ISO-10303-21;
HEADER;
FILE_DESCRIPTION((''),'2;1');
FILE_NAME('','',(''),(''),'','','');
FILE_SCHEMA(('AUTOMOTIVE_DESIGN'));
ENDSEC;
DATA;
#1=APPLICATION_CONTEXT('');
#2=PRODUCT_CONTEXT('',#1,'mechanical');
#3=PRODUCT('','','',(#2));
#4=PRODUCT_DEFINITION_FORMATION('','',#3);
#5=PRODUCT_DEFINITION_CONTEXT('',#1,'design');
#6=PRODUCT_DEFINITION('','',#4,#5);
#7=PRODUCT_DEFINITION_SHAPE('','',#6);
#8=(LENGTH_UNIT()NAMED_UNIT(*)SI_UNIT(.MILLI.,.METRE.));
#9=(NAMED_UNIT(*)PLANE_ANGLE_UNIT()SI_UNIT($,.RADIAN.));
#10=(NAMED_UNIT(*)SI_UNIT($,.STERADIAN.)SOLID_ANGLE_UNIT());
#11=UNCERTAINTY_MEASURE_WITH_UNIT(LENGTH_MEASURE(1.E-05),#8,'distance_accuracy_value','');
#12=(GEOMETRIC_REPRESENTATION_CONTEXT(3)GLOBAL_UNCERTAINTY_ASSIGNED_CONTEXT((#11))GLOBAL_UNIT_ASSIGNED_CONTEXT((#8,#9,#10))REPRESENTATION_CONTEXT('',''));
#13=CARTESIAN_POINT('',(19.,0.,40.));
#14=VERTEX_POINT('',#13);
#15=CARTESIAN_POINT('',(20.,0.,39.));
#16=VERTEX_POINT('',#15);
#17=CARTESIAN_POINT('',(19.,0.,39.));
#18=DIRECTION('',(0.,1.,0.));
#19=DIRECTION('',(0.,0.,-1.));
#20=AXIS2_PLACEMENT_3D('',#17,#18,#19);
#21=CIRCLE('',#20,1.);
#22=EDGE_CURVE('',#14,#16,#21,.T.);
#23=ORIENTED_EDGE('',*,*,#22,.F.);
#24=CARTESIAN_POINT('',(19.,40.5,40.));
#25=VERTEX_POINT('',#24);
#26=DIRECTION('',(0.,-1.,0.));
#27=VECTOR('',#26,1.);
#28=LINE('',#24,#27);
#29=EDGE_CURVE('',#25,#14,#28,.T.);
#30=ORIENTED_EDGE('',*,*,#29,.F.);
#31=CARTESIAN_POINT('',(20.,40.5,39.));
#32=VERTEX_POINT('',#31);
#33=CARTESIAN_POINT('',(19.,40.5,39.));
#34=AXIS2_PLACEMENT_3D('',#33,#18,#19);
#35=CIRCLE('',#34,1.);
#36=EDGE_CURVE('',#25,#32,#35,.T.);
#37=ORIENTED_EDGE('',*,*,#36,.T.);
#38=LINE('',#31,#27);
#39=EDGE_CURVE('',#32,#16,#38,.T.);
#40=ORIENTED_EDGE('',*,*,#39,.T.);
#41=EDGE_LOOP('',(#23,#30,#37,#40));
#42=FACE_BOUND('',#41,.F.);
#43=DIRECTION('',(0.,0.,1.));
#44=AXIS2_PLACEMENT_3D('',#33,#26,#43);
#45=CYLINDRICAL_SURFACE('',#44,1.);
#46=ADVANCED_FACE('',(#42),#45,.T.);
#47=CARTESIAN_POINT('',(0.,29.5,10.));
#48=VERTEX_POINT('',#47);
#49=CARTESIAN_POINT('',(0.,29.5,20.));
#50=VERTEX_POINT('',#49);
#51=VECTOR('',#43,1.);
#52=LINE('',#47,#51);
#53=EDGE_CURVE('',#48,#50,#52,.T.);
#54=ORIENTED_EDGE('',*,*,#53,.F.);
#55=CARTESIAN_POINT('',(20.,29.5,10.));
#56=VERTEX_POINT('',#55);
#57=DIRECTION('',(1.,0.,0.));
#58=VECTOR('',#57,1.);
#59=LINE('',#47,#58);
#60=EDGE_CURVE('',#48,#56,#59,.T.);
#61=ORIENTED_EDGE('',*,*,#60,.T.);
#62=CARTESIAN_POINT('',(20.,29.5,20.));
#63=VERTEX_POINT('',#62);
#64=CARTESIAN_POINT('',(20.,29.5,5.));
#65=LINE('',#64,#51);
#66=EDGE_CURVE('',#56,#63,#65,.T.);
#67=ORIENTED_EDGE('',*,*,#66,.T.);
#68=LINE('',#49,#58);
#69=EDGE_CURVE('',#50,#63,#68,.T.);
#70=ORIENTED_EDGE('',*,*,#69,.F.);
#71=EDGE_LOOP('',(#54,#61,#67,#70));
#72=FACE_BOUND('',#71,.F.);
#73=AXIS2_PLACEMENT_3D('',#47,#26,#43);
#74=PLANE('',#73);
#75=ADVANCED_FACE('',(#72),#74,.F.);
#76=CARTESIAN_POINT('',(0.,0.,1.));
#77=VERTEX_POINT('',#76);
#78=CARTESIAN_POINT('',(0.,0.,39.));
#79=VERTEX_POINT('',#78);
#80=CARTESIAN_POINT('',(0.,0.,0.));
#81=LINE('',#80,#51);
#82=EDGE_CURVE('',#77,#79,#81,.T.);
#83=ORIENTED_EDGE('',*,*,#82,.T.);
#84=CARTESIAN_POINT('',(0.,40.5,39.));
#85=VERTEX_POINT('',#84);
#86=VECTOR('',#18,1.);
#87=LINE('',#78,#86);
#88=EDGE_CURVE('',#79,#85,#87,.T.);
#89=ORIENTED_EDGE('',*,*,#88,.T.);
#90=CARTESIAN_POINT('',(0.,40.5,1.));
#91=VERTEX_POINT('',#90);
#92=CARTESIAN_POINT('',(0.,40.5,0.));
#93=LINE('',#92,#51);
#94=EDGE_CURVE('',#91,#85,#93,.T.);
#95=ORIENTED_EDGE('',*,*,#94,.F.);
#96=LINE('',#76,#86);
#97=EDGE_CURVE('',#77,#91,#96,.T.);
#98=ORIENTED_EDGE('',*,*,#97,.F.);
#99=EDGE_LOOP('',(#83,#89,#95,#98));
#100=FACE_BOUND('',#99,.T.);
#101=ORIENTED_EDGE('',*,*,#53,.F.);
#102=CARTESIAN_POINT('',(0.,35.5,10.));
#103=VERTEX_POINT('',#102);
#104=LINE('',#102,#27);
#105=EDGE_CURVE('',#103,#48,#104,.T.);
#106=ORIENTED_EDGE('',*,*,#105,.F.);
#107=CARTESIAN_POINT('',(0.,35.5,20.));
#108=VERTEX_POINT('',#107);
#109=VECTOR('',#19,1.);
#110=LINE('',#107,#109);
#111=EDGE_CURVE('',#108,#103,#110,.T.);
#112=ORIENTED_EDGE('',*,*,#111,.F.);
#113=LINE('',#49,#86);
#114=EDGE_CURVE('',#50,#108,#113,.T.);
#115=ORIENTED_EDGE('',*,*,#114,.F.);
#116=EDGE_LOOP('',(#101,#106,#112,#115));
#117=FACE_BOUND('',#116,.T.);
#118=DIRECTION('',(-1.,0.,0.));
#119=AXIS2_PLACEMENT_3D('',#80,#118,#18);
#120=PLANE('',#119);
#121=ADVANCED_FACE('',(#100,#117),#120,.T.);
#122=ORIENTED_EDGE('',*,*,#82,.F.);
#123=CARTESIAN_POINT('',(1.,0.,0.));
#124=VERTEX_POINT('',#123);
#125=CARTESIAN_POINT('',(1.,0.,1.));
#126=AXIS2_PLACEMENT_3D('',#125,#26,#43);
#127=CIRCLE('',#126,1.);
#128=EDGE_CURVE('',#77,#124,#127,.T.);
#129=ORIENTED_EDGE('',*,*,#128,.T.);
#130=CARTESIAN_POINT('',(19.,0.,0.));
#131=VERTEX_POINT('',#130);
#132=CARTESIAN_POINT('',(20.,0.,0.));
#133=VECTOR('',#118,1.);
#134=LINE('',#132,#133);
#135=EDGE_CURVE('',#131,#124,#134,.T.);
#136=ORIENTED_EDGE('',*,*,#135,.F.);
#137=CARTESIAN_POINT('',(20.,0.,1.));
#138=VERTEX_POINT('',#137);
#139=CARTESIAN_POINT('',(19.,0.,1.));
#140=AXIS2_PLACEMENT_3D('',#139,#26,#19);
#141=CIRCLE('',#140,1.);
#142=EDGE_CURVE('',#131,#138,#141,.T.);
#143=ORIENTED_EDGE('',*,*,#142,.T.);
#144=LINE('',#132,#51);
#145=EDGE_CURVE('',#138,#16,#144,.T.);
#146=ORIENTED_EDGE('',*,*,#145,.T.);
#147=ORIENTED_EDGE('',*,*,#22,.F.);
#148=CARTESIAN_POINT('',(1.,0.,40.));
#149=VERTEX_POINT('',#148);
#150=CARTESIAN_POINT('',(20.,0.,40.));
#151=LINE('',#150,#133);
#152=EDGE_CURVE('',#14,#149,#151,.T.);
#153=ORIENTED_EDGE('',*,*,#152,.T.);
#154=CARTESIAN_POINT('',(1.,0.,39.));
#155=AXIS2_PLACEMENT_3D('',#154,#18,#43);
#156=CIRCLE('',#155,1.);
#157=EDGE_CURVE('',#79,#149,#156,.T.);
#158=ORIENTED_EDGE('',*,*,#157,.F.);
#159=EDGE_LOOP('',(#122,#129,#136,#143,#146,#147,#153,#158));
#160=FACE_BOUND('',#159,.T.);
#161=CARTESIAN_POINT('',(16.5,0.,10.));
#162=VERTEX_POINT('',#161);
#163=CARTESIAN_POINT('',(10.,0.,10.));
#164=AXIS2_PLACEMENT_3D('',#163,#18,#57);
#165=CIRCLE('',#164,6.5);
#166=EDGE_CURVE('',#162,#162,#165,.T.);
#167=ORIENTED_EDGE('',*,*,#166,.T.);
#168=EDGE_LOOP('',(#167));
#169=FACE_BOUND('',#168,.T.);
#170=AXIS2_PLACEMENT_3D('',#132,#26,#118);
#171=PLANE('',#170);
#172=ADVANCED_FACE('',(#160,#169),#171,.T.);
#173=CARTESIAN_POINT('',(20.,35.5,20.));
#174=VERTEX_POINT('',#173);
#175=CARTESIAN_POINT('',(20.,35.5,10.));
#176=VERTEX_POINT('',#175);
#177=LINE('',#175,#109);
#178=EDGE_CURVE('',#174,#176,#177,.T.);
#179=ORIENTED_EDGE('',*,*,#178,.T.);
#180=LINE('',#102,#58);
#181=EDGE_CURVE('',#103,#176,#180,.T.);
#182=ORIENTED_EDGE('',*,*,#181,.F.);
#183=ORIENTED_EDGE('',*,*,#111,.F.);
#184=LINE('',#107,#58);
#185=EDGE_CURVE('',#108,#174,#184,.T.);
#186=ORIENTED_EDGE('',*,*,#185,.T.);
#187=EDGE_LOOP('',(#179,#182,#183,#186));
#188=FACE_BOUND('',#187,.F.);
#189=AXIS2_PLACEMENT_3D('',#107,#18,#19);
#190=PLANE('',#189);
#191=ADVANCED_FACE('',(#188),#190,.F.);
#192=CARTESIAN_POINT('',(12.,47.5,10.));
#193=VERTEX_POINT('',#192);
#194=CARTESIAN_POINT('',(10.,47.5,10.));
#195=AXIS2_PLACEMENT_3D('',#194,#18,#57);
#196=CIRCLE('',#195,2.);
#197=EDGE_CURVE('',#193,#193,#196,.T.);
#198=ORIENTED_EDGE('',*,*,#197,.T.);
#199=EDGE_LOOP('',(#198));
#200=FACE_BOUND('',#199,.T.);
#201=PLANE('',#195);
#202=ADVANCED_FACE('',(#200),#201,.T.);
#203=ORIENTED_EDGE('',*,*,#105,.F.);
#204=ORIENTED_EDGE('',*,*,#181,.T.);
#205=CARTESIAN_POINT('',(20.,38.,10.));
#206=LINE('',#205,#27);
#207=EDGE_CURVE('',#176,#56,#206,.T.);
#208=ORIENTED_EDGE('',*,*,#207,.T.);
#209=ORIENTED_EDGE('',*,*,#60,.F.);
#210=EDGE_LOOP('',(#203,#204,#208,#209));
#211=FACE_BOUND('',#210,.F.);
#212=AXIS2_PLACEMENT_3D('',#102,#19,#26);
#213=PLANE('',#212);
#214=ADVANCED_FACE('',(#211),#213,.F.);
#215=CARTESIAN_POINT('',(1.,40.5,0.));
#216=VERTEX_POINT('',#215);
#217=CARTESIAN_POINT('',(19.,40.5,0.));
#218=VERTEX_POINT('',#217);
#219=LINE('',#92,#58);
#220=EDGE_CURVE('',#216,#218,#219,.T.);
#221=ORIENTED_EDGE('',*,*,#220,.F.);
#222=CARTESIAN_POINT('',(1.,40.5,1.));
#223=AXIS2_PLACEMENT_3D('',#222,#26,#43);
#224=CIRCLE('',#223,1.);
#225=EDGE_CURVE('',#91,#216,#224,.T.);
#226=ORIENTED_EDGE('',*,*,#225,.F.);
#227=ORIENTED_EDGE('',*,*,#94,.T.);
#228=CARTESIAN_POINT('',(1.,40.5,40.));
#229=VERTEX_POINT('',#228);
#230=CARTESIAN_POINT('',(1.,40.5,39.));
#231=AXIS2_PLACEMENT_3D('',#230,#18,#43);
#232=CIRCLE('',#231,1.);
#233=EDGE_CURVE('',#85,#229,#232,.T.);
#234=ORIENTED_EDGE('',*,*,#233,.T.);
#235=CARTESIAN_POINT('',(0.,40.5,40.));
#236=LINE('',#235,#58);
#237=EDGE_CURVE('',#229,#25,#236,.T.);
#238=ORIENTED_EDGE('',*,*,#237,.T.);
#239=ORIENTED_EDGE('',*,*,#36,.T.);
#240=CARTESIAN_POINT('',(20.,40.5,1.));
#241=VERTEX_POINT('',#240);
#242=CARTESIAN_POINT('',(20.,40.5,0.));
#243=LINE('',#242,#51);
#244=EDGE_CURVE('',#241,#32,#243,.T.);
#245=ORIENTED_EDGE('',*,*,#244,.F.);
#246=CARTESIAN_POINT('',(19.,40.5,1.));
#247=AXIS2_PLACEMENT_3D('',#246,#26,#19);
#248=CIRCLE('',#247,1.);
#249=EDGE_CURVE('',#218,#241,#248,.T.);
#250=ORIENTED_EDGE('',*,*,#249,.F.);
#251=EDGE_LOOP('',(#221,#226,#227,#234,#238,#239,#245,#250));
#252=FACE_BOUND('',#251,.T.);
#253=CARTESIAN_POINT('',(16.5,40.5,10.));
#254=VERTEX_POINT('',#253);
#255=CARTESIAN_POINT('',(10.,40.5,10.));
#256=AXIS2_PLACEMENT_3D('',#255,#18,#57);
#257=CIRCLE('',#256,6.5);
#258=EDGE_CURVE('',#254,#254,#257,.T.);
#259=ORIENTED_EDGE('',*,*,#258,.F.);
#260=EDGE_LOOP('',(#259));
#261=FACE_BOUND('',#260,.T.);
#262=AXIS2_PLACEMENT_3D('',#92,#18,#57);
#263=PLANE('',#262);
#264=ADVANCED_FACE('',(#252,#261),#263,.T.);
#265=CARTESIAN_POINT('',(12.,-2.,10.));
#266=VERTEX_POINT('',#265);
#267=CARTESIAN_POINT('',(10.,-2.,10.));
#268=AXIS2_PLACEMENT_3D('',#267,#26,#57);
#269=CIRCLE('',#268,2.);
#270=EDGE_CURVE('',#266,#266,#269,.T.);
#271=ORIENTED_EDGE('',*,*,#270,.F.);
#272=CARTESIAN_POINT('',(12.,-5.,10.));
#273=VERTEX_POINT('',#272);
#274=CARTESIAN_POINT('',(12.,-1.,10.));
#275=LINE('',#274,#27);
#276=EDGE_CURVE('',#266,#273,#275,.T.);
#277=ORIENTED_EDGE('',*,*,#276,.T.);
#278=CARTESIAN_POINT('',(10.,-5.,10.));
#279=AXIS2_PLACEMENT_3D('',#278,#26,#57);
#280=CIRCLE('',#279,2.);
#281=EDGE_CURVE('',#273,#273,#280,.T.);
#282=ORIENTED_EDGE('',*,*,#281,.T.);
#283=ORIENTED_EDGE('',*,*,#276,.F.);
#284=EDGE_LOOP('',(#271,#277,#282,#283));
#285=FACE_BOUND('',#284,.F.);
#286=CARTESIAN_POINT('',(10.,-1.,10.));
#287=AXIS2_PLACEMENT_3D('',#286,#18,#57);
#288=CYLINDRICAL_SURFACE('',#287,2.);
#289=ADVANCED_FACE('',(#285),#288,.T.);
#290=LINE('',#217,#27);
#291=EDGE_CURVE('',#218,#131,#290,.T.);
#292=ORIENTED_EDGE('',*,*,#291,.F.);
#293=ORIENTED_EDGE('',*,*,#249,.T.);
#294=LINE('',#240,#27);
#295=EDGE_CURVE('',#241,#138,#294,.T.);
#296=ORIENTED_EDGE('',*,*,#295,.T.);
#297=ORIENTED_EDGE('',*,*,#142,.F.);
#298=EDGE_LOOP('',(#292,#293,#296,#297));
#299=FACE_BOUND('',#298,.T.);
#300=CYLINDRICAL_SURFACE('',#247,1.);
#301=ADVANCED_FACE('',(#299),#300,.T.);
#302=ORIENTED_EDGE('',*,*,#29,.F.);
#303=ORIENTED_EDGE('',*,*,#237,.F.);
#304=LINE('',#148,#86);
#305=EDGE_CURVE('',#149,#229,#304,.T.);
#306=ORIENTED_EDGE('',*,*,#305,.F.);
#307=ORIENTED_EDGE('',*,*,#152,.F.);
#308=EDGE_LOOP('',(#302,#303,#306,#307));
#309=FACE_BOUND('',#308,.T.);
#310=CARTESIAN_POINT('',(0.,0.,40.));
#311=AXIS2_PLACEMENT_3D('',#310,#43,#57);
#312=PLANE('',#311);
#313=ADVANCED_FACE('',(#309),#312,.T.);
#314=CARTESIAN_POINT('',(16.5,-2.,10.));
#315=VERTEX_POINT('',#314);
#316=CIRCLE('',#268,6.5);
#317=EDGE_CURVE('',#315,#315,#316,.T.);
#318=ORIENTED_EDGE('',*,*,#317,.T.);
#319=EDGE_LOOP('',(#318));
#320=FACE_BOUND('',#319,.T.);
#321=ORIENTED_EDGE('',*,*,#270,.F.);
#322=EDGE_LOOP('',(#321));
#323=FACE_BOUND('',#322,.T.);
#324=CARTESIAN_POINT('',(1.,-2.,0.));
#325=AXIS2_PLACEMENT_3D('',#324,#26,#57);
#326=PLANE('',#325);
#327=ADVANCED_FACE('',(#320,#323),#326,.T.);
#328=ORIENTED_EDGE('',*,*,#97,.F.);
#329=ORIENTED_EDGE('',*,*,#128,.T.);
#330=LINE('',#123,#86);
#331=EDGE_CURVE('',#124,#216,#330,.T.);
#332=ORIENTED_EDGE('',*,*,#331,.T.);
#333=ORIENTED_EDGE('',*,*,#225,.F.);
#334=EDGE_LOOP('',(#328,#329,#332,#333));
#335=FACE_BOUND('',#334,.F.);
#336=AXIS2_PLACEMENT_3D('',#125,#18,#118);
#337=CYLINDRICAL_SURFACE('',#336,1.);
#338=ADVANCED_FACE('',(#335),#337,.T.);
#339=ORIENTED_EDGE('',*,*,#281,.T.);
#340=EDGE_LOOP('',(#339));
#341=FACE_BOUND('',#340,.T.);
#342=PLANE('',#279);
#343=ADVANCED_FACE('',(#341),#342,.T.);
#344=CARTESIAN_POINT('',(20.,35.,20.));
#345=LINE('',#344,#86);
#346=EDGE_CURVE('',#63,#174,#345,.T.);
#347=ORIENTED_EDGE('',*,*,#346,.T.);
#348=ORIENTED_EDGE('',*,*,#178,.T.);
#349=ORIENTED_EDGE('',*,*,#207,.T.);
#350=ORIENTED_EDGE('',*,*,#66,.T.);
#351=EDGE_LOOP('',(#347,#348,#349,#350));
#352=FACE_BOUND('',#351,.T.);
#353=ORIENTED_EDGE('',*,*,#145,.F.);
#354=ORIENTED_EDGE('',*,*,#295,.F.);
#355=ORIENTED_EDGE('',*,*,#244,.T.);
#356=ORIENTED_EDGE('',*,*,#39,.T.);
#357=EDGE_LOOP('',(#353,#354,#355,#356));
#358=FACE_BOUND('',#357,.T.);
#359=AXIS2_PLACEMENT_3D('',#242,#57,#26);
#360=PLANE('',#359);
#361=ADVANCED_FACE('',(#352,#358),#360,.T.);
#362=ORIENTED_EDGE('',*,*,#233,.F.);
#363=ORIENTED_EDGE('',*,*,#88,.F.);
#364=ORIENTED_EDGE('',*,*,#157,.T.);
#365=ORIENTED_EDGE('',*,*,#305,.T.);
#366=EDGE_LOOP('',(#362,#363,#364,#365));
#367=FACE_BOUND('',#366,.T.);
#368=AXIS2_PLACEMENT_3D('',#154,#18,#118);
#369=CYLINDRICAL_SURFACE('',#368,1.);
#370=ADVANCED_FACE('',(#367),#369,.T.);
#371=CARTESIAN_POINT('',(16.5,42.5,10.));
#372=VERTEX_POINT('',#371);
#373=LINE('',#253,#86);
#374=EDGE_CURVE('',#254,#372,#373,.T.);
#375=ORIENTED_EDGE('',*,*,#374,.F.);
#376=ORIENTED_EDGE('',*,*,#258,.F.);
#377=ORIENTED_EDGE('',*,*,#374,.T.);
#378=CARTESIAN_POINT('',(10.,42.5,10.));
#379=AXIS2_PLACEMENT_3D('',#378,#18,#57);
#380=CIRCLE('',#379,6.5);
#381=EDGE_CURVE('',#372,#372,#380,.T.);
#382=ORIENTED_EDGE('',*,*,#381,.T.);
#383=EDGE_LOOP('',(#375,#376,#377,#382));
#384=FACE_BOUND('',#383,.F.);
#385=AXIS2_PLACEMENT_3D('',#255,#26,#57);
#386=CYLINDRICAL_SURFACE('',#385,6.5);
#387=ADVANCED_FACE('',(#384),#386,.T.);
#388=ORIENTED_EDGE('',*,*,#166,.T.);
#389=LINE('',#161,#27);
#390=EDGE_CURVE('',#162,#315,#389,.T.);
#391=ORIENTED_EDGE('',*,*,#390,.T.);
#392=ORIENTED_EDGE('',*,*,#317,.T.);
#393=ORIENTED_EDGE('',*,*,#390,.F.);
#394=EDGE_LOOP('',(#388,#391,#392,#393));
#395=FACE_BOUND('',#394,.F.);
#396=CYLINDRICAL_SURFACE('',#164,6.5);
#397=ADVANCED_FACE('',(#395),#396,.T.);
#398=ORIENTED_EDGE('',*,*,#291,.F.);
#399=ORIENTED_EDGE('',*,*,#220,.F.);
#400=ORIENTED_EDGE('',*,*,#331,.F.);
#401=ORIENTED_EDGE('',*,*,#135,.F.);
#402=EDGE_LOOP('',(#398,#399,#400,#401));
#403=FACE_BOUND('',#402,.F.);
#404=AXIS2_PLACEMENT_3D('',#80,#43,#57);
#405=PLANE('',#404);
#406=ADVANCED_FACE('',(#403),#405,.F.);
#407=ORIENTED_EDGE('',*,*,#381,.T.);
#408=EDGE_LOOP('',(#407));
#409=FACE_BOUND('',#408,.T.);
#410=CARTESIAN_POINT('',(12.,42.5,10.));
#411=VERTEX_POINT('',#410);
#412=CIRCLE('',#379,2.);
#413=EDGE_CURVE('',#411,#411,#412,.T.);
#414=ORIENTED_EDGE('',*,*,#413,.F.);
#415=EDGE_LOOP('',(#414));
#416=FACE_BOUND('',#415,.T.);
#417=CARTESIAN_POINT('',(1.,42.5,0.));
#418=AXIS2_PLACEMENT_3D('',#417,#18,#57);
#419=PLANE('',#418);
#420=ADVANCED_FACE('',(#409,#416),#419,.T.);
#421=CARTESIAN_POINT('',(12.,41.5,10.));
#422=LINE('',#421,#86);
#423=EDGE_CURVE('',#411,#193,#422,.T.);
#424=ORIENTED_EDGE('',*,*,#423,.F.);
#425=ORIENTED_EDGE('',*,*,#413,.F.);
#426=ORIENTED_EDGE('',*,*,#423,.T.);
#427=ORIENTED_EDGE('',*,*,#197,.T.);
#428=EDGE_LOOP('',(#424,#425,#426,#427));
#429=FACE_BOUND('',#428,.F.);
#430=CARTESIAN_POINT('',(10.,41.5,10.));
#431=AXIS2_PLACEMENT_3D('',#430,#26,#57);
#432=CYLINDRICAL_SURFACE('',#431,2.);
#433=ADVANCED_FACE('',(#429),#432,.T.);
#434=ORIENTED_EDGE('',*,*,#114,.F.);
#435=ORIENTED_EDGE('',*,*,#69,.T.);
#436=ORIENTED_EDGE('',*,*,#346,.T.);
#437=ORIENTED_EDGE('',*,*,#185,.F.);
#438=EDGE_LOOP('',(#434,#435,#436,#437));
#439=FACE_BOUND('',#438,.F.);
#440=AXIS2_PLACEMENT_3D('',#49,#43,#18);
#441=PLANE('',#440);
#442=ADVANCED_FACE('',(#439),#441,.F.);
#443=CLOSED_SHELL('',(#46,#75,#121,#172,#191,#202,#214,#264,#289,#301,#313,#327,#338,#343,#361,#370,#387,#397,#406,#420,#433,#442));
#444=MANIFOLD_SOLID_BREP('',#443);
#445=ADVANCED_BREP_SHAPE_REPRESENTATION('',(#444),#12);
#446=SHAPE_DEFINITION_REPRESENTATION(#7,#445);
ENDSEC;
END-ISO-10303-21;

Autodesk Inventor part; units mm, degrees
ref_plane "YZ Plane" through (0, 0, 0) normal (1, 0, 0) x (0, 1, 0)
ref_plane "XZ Plane" through (0, 0, 0) normal (0, 1, 0) x (-1, 0, 0)
ref_plane "XY Plane" through (0, 0, 0) normal (0, 0, 1) x (1, 0, 0)
sketch "Sketch1" plane through (0, 0, 0) normal (0, 0, 1) x (1, 0, 0)
  line L0 (0, 0) -> (0, 40.5)
  line L1 (0, 40.5) -> (20, 40.5)
  line L2 (20, 40.5) -> (20, 0)
  line L3 (20, 0) -> (0, 0)
  dimension "d0" = 40.5
  dimension "d1" = 20
extrude "Extrusion1" add sketch "Sketch1" along normal blind 40
sketch "Sketch2" plane through (0, 40.5, 0) normal (0, 1, 0) x (1, 0, 0)
  line L0 (20, 0) -> (0, 0) projected
  line L1 (10, 0) -> (10, -10)
  circle A0 centre (10, -10) radius 5
  dimension "d4" = 10
  dimension "d5" = 10
extrude "Extrusion2" add sketch "Sketch2" along normal blind 1
sketch "Sketch3" plane through (10, 41.5, 10) normal (0, 1, 0) x (1, 0, 0)
  circle A0 centre (0, 0) radius 2
  point P0 (-10, 10)
  dimension "d8" = 4
extrude "Extrusion3" add sketch "Sketch3" along normal blind 6
fillet "Fillet1" radius 1 4 edges at (0, 20.25, 40) (20, 20.25, 40) (20, 20.25, 0) (0, 20.25, 0)
sketch "Sketch4" plane through (1, 0, 0) normal (0, -1, 0) x (1, 0, 0)
  line L0 (18, 0) -> (0, 0) projected
  line L1 (9, 0) -> (9, 10)
  circle A0 centre (9, 10) radius 5
  point P0 (-1, 0)
  dimension "d12" = 10
  dimension "d13" = 10
extrude "Extrusion4" add sketch "Sketch4" along normal blind 1
sketch "Sketch5" plane through (10, -1, 10) normal (0, -1, 0) x (1, 0, 0)
  circle A0 centre (0, 0) radius 2
  point P0 (-10, -10)
  dimension "d16" = 4
extrude "Extrusion5" add sketch "Sketch5" along normal blind 4
sketch "Boceto6" plane through (0, 0, 1) normal (-1, 0, 0) x (0, 0, 1)
  line L0 (-1, 0) -> (-1, 40.5) projected
  line L1 (-1, 40.5) -> (-1, 35.5)
  line L2 (-1, 35.5) -> (9, 35.5)
  line L3 (9, 35.5) -> (9, 29.5)
  line L4 (9, 29.5) -> (19, 29.5)
  line L5 (19, 29.5) -> (19, 35.5)
  line L6 (19, 35.5) -> (9, 35.5)
  dimension "d19" = 5
  dimension "d20" = 10
  dimension "d21" = 6
  dimension "d22" = 10
extrude "Extrusión6" cut sketch "Boceto6" against normal up to next
sketch "Boceto7" plane through (1, 0, 0) normal (0, -1, 0) x (1, 0, 0)
  line L0 (-1, 10) -> (19, 10) projected
  circle A0 centre (9, 10) radius 6.5
  circle A1 centre (9, 10) radius 2
  point P0 (-1, 0)
  dimension "d25" = 13
extrude "Extrusión8" add sketch "Boceto7" along normal blind 2 contours A1 L0 A0 | L0 A0 A1
sketch "Boceto8" plane through (1, 40.5, 0) normal (0, 1, 0) x (1, 0, 0)
  circle A0 centre (9, -10) radius 2 projected
  circle A1 centre (9, -10) radius 6.5
  circle A2 centre (9, -10) radius 6.5 projected
  circle A3 centre (9, -10) radius 2
  point P0 (-1, 0)
  dimension "d30" = 13
extrude "Extrusión9" add sketch "Boceto8" along normal blind 2
properties part number "servo_FT_SC"
